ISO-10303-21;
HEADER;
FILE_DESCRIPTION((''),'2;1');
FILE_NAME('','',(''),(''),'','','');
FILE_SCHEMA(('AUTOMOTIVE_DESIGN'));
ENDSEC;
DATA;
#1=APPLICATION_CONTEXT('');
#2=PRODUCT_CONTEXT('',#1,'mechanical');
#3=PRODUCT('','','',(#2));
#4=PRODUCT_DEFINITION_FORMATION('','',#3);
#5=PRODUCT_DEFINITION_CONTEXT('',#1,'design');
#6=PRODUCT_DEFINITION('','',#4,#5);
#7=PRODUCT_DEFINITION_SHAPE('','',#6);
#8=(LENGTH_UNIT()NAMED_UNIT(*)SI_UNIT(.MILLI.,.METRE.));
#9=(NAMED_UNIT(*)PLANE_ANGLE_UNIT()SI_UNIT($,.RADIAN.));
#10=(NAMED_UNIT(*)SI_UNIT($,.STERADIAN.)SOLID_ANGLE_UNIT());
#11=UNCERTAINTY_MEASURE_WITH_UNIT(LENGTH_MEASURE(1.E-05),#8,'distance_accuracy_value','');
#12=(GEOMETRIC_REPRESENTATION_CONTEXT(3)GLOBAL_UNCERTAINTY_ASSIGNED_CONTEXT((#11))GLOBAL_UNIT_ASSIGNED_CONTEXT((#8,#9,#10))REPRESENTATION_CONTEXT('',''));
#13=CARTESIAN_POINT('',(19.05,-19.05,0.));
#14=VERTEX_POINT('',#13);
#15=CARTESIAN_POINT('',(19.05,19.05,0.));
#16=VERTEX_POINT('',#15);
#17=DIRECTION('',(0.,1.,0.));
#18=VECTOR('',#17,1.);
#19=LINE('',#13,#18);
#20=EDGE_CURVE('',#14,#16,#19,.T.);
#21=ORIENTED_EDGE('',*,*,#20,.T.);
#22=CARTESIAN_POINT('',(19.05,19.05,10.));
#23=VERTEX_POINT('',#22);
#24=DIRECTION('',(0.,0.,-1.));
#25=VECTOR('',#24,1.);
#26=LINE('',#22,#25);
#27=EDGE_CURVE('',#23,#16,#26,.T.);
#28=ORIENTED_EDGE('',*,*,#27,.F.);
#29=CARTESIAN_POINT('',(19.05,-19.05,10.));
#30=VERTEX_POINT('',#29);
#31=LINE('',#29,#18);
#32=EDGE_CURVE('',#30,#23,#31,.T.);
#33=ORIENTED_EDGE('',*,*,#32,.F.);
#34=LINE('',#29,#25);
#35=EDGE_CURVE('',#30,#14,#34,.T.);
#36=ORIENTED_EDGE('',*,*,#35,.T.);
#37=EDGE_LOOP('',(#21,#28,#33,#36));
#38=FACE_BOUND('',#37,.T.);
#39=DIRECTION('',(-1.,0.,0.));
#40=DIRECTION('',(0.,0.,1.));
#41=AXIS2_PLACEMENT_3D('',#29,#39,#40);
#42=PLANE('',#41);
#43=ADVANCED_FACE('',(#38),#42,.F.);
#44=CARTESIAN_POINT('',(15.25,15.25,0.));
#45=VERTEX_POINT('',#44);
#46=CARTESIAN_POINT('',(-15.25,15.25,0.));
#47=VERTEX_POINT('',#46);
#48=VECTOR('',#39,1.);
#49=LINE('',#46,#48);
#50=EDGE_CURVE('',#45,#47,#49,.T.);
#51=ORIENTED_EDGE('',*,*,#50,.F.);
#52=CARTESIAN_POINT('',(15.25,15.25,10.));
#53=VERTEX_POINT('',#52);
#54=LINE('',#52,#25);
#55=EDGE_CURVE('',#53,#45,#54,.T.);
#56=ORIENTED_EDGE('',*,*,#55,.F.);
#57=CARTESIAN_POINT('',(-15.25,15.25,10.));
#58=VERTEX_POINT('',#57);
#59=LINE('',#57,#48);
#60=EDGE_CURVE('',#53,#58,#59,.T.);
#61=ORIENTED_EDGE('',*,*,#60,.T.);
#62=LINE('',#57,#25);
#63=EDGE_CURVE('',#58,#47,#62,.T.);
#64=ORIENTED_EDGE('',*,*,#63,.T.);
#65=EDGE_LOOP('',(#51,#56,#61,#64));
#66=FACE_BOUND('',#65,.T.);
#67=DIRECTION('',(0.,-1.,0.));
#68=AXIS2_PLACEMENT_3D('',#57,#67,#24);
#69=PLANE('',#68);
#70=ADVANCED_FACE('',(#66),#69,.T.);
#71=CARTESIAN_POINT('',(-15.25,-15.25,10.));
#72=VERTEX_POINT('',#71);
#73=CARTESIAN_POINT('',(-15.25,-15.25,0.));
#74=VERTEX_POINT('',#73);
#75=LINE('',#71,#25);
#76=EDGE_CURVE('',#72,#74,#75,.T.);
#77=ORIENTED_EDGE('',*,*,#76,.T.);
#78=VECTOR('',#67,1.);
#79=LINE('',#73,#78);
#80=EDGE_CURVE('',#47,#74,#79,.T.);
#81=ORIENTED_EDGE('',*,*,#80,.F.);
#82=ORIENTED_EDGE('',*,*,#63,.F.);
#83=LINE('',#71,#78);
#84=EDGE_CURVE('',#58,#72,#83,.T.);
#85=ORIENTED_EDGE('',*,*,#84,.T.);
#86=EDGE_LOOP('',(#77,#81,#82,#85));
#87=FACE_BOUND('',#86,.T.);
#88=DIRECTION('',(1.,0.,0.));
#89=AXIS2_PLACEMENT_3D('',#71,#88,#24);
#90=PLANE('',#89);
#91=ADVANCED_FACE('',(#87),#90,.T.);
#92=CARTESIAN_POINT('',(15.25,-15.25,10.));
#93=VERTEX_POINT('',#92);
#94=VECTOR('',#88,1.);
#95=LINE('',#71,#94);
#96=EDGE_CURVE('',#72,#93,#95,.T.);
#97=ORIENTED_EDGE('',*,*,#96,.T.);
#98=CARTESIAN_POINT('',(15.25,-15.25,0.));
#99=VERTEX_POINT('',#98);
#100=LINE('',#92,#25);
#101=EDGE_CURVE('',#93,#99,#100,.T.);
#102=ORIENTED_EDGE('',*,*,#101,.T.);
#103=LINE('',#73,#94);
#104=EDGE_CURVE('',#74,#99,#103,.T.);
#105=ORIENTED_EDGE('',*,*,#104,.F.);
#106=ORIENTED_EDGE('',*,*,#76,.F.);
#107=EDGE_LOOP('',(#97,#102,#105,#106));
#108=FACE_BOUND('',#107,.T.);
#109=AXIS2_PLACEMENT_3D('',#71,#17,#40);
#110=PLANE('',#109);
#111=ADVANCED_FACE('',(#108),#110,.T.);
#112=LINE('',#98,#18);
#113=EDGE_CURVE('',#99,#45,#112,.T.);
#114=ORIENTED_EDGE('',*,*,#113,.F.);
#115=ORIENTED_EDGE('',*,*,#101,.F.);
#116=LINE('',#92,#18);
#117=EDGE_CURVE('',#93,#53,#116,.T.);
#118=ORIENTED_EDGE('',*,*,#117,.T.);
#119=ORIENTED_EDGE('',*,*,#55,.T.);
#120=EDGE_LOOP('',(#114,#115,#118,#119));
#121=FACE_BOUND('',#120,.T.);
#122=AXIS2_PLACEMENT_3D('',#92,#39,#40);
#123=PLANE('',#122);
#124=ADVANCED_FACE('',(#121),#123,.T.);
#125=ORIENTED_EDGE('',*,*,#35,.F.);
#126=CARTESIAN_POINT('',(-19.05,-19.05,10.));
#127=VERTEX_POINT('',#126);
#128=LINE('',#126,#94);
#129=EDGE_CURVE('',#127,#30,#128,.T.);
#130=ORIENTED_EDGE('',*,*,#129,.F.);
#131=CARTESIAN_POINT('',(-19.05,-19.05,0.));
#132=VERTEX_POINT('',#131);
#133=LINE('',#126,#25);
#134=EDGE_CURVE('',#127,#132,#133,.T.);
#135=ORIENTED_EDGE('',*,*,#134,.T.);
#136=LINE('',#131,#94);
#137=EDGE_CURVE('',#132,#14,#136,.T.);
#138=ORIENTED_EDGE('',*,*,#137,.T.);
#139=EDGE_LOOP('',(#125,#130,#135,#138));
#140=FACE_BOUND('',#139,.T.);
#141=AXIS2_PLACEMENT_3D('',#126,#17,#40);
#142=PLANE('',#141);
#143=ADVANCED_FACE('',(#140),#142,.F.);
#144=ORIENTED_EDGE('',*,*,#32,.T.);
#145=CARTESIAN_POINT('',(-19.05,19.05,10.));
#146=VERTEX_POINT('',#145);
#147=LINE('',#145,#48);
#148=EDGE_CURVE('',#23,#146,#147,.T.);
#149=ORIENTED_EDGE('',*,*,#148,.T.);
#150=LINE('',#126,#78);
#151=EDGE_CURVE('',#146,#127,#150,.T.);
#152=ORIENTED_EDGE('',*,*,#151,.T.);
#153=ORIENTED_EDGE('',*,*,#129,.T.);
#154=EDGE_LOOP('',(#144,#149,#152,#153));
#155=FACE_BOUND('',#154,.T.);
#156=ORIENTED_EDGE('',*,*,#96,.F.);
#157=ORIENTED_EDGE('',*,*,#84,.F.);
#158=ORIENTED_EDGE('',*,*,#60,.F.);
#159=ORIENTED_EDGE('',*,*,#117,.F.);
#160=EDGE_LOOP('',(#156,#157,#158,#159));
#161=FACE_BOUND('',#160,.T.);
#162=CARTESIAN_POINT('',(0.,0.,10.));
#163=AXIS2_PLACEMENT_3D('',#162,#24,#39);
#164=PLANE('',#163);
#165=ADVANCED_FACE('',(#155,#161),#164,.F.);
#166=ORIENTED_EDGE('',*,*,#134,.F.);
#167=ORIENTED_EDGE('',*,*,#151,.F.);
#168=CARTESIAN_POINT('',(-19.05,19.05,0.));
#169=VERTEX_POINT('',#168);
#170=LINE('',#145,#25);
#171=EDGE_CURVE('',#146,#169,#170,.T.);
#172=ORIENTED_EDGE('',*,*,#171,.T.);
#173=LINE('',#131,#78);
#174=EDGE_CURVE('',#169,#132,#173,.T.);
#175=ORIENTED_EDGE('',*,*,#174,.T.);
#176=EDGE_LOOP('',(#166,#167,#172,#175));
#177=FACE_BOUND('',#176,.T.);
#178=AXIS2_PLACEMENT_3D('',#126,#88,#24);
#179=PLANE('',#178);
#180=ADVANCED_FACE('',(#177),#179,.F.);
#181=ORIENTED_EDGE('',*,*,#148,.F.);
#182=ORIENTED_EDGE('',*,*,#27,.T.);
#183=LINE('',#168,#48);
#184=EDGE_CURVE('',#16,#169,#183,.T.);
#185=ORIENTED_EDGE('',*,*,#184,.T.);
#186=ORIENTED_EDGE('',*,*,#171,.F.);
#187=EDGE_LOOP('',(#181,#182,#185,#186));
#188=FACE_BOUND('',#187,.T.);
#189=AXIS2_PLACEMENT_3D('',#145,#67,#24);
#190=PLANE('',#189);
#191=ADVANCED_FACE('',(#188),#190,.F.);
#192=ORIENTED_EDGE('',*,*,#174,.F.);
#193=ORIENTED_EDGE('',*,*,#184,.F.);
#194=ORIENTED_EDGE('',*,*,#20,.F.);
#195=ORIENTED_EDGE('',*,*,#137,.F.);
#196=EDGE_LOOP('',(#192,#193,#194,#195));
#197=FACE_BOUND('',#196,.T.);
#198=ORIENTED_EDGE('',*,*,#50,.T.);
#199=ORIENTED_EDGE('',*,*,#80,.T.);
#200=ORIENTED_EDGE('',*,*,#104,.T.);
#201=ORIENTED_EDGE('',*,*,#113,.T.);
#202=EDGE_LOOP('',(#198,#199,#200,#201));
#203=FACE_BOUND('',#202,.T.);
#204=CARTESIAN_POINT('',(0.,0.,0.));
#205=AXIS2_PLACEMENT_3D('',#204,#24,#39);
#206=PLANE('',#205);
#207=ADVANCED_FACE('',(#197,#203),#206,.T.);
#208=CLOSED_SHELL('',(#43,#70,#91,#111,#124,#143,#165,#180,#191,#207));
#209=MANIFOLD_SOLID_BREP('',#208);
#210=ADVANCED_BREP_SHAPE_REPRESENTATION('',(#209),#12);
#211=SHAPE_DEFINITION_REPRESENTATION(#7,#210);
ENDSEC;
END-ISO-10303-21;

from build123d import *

# Parameters (mm, degrees)
ESQUISSE1_W        = 38.1
ESQUISSE1_H        = 38.1
ESQUISSE1_W_2      = 30.5
ESQUISSE1_H_2      = 30.5
BOSS_EXTRU_1_DEPTH = 10


with BuildPart() as part:
    # Esquisse1 → Boss.-Extru.1 (new body)
    with BuildSketch(Plane.XY):
        Rectangle(ESQUISSE1_W, ESQUISSE1_H)
        Rectangle(ESQUISSE1_W_2, ESQUISSE1_H_2, mode=Mode.SUBTRACT)
    extrude(amount=BOSS_EXTRU_1_DEPTH)


solid = part.part
